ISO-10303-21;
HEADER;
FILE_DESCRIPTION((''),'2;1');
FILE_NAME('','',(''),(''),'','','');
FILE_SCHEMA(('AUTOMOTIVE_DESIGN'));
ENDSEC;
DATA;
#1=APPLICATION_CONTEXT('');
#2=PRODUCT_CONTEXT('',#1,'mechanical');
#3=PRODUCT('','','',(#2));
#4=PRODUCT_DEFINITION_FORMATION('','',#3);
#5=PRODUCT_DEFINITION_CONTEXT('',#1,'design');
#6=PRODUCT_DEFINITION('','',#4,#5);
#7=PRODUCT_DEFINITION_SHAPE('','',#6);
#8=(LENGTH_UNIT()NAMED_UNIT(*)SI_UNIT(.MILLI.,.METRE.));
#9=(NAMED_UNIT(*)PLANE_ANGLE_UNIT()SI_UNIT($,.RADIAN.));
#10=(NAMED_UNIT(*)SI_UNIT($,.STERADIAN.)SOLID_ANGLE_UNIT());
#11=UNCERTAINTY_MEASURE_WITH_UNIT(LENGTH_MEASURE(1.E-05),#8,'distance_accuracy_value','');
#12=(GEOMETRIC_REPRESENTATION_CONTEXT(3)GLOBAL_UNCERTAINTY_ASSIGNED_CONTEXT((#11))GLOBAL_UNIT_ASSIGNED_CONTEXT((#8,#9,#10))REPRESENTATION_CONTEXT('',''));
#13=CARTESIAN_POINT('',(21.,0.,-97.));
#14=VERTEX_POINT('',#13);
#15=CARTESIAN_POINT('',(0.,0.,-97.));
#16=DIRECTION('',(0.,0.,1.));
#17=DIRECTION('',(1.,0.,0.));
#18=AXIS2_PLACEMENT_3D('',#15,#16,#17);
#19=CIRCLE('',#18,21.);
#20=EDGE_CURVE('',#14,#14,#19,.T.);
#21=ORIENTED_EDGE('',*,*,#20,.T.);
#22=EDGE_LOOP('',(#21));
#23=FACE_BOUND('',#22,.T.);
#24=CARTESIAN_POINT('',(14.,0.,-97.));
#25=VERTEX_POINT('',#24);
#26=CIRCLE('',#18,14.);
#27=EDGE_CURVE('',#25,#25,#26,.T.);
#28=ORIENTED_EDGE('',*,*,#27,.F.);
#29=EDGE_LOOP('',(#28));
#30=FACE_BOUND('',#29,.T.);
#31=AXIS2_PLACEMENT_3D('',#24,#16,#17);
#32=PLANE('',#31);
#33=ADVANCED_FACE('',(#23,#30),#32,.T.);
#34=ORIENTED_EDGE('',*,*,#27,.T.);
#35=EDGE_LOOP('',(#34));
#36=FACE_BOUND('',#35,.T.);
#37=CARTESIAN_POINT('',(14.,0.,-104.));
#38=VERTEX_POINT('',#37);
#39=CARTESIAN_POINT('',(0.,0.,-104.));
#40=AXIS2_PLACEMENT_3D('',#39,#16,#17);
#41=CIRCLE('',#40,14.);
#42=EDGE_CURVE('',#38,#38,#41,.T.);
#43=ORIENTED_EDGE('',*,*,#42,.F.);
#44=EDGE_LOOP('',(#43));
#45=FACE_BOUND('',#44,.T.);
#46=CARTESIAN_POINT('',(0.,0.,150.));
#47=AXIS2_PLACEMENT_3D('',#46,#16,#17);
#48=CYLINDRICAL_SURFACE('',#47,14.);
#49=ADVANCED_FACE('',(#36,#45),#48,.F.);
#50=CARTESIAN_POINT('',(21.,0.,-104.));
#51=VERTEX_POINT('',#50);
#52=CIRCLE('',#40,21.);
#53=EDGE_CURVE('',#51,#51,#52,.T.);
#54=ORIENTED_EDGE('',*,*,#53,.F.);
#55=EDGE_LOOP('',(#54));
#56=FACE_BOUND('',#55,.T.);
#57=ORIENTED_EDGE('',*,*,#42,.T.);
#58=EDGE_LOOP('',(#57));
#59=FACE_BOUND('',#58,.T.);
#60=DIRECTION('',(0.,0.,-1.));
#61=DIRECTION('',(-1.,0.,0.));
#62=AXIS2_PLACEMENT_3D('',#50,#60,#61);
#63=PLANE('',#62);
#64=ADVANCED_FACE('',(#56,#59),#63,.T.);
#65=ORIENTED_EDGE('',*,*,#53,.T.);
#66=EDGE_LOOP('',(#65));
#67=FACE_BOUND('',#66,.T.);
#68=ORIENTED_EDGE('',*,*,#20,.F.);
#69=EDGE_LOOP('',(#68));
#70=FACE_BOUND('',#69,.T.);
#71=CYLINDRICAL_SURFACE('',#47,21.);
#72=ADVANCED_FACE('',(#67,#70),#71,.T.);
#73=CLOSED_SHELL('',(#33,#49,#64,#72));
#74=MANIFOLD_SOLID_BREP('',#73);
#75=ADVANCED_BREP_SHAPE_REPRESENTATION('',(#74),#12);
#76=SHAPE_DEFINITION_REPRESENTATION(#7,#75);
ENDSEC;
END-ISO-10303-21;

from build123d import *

# Parameters (mm, degrees)
SKETCH1_W = 7
SKETCH1_H = 7


with BuildPart() as part:
    # Sketch1 → REV_Radial_Seal_28x42x7_envelope (revolve)
    with BuildSketch(Plane(origin=(0, 0, 0), x_dir=(1, 0, 0), z_dir=(0, 1, 0))):
        with Locations((17.5, 100.5)):
            Rectangle(SKETCH1_W, SKETCH1_H)
    revolve(axis=Axis((0, 0, 150), (0, 0, -1)))


solid = part.part
